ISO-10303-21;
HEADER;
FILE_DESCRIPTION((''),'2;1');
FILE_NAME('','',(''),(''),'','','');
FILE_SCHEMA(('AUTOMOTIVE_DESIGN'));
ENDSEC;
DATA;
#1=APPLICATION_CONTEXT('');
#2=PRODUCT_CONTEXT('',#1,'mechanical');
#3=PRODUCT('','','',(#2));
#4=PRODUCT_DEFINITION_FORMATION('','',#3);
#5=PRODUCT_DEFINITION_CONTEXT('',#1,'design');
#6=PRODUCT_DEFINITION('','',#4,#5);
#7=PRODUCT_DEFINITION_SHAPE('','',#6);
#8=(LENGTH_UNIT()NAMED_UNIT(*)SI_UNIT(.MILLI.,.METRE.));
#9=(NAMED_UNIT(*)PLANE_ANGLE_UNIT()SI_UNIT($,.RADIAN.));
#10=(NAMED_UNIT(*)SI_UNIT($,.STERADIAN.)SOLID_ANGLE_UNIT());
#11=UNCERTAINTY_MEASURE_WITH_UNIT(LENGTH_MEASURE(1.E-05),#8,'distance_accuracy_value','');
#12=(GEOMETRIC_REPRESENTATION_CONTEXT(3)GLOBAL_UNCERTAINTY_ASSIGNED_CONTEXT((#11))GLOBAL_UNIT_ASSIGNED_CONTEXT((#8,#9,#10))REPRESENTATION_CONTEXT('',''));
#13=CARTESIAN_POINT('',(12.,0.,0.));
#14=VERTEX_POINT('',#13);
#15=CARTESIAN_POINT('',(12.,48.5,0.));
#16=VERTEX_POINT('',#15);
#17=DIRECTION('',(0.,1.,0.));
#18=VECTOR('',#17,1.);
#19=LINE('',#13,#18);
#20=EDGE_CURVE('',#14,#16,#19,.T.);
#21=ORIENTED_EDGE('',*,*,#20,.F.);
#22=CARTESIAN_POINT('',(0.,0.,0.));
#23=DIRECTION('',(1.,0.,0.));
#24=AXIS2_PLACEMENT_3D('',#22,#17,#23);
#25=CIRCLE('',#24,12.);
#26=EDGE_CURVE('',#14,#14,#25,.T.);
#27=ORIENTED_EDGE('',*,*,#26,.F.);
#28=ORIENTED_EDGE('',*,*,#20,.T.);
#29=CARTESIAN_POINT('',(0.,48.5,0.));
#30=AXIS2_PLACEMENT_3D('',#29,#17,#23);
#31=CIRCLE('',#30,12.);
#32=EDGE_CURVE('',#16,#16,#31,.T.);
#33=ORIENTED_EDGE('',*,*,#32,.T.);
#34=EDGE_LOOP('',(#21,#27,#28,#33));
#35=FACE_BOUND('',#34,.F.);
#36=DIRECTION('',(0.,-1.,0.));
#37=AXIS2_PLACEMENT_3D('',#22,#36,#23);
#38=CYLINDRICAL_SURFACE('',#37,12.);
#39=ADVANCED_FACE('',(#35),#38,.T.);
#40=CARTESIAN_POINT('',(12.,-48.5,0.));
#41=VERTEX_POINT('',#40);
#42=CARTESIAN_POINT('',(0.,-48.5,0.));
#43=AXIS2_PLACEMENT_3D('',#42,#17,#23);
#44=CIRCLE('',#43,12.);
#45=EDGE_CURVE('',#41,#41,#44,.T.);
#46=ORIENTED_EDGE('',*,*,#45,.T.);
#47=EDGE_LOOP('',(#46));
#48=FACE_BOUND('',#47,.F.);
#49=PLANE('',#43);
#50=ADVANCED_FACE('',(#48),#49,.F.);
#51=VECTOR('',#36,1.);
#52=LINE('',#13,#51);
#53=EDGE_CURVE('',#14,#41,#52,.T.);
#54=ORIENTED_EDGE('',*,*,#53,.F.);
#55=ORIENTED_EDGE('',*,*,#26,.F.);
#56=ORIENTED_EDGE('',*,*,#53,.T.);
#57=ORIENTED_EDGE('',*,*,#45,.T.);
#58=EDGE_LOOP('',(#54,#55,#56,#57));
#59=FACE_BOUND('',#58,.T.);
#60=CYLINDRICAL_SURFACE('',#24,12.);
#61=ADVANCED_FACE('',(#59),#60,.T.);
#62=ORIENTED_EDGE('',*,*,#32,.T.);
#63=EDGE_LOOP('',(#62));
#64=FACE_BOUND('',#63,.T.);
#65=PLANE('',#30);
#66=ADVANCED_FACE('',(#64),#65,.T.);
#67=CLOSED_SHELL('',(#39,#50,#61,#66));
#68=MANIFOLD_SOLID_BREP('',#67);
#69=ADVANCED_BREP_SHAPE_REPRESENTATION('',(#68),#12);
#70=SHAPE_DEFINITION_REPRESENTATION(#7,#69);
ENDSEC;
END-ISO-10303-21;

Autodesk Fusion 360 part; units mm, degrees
sketch "Sketch1" plane through (0, 0, 0) normal (0, 1, 0) x (1, 0, 0)
  circle A0 centre (0, 0) radius 12
  dimension "d1" = 24
extrude "Extrude1" add sketch "Sketch1" along normal mid plane 97
equation "d2 = ( 9.7 / 2 ) * 1 cm"
